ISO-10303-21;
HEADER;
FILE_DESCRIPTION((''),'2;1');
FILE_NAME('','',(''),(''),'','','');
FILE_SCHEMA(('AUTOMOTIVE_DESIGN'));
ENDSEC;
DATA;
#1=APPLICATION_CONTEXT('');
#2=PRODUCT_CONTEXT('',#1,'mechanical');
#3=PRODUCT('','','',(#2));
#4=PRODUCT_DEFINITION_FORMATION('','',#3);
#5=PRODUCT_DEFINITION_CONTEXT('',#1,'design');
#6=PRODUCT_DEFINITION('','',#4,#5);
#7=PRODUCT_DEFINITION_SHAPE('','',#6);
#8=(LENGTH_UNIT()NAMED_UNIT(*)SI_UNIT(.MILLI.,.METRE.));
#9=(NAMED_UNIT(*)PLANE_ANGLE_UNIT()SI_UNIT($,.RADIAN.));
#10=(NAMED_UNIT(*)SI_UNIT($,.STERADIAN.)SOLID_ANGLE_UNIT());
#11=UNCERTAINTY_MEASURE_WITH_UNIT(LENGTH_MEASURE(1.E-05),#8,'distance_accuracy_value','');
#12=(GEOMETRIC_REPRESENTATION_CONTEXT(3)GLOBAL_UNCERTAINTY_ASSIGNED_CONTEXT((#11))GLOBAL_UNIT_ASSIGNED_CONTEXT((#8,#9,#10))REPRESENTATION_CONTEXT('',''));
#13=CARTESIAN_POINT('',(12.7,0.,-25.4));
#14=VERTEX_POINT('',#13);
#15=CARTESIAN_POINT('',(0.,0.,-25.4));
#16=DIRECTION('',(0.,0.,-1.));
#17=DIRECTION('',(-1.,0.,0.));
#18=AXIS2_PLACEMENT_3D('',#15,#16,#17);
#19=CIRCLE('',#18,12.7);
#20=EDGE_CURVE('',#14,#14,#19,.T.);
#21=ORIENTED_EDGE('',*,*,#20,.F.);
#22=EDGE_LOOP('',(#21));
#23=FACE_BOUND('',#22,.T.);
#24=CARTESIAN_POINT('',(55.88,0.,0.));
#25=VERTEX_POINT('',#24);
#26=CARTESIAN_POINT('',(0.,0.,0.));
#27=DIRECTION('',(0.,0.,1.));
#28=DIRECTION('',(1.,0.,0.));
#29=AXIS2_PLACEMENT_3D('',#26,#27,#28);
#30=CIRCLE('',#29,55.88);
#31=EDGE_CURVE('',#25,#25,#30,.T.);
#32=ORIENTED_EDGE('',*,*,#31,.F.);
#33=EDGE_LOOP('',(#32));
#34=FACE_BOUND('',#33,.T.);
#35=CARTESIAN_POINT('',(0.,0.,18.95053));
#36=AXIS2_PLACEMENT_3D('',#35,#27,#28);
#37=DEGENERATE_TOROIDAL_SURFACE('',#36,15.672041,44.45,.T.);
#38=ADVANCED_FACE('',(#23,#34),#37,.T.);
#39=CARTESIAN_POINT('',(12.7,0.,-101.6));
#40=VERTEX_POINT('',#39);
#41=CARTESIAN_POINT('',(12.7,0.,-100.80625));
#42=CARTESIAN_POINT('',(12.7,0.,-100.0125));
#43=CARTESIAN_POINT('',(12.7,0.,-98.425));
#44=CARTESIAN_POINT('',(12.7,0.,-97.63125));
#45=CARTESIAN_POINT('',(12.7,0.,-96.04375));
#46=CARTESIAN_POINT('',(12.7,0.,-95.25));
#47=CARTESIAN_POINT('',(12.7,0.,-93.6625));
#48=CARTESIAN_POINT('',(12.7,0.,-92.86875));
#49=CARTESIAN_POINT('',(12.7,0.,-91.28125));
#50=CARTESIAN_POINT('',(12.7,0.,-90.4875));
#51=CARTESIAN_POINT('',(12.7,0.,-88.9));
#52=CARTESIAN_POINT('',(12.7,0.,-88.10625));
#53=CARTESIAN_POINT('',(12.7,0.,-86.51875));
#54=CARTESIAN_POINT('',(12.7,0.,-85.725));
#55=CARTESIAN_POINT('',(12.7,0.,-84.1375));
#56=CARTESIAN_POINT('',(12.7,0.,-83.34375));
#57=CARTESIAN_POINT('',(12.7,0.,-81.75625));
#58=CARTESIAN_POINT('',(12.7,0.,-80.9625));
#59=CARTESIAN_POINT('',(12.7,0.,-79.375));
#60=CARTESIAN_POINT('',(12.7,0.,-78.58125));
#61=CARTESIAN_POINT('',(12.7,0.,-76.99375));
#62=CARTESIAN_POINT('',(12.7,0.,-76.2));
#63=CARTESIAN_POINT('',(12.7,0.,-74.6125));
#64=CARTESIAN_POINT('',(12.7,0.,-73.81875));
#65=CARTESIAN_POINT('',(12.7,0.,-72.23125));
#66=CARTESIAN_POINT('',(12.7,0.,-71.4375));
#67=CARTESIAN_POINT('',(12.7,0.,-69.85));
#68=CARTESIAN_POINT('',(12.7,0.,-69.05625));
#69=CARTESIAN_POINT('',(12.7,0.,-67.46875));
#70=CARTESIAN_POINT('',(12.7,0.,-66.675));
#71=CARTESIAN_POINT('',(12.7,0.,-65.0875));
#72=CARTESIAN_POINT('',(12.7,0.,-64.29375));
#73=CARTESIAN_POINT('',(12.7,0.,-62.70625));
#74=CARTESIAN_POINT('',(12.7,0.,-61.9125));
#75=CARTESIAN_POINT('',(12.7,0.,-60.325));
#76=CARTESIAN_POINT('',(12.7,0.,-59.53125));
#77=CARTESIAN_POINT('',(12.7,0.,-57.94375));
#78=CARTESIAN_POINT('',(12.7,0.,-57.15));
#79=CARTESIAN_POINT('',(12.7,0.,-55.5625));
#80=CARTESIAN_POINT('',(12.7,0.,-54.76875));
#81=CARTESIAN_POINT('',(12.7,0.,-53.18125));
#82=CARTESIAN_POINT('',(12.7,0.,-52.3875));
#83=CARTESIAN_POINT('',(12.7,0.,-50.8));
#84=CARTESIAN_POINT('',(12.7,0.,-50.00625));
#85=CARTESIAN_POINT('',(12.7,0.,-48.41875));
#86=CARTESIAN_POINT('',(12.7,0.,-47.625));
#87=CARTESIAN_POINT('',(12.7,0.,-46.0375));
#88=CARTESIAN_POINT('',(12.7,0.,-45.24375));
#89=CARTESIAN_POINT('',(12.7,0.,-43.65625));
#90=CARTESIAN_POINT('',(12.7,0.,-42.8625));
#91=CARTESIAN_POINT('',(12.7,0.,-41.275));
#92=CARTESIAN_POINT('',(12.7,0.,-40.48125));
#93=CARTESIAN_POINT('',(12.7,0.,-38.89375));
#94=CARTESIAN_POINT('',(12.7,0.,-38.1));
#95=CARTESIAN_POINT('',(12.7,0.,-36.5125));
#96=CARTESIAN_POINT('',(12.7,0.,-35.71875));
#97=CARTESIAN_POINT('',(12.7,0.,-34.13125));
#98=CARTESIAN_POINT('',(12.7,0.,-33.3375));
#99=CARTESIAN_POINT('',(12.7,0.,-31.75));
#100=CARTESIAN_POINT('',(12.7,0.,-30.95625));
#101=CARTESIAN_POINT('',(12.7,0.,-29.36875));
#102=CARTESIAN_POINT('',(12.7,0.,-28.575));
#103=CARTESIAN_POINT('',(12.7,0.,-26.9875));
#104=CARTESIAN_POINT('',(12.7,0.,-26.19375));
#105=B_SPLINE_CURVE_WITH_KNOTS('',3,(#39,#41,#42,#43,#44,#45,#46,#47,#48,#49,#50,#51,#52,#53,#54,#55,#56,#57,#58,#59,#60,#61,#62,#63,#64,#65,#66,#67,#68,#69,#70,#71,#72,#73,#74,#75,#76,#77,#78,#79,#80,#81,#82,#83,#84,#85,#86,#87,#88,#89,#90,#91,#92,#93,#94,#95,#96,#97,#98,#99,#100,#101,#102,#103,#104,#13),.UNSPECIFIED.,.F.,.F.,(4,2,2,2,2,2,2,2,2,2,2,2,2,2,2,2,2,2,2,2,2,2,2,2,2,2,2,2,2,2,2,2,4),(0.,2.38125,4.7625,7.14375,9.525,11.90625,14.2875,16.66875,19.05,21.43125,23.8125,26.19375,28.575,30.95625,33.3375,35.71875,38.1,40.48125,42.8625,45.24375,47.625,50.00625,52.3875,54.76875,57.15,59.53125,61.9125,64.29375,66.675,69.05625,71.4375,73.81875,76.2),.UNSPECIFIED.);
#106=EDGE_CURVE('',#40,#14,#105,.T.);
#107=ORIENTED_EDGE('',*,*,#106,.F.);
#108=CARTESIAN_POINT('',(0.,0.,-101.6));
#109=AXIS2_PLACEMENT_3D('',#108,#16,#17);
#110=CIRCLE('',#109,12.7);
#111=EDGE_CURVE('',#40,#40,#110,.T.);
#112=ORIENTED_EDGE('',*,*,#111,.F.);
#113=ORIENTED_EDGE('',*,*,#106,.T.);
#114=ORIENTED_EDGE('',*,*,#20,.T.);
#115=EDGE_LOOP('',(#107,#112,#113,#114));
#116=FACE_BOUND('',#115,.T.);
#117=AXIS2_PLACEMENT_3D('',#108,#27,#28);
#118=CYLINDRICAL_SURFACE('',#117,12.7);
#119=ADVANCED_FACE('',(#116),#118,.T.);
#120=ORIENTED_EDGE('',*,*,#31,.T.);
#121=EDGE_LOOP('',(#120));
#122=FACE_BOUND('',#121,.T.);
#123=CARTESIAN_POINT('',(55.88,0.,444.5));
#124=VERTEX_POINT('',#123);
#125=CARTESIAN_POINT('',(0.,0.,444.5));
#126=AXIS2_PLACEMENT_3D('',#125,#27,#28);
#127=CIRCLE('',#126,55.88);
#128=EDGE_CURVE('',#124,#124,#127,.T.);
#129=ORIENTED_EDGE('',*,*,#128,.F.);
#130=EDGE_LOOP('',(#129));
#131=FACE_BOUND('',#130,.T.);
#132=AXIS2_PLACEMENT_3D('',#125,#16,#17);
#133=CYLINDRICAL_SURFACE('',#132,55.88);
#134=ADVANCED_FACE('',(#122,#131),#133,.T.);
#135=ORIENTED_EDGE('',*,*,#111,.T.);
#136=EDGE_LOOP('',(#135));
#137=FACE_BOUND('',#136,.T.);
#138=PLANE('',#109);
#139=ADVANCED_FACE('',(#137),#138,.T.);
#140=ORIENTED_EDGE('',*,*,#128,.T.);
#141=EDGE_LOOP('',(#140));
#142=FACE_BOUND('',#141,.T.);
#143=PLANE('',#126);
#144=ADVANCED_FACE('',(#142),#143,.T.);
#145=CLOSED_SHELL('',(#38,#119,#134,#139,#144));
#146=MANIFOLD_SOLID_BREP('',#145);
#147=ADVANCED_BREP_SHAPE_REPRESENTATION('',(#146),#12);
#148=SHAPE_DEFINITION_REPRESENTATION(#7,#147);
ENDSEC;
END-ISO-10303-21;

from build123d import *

# Parameters (mm, degrees)
SKETCH1_R           = 55.88
BOSS_EXTRUDE1_DEPTH = 444.5
SKETCH4_R           = 12.7
BOSS_EXTRUDE3_DEPTH = 76.2


with BuildPart() as part:
    # Sketch1 → Boss-Extrude1 (new body)
    with BuildSketch(Plane.XY):
        Circle(SKETCH1_R)
    extrude(amount=BOSS_EXTRUDE1_DEPTH)

    # Sketch3 → Revolve1 (revolve)
    with BuildSketch(Plane(origin=(0, 0, 0), x_dir=(0, 0, -1), z_dir=(1, 0, 0)), mode=Mode.PRIVATE) as revolve1_sk:
        with BuildLine():
            Line((25.4, -12.7), (25.4, 0))
            Line((25.4, 0), (0, 0))
            Line((0, 0), (0, -55.88))
            ThreePointArc((0, -55.88), (19.362446334, -38.209086079), (25.4, -12.7))
        make_face()
    revolve(revolve1_sk.sketch.rotate(Axis((0, 0, 0), (0, 0, -1)), 270), axis=Axis((0, 0, 0), (0, 0, -1)))

    # Sketch4 → Boss-Extrude3 (add)
    with BuildSketch(Plane(origin=(0, 0, -25.4), x_dir=(-1, 0, 0), z_dir=(0, 0, -1))):
        with Locations(Location((0, 0, 0), (0, 0, 180))):
            Circle(SKETCH4_R)
    extrude(amount=BOSS_EXTRUDE3_DEPTH)


solid = part.part
